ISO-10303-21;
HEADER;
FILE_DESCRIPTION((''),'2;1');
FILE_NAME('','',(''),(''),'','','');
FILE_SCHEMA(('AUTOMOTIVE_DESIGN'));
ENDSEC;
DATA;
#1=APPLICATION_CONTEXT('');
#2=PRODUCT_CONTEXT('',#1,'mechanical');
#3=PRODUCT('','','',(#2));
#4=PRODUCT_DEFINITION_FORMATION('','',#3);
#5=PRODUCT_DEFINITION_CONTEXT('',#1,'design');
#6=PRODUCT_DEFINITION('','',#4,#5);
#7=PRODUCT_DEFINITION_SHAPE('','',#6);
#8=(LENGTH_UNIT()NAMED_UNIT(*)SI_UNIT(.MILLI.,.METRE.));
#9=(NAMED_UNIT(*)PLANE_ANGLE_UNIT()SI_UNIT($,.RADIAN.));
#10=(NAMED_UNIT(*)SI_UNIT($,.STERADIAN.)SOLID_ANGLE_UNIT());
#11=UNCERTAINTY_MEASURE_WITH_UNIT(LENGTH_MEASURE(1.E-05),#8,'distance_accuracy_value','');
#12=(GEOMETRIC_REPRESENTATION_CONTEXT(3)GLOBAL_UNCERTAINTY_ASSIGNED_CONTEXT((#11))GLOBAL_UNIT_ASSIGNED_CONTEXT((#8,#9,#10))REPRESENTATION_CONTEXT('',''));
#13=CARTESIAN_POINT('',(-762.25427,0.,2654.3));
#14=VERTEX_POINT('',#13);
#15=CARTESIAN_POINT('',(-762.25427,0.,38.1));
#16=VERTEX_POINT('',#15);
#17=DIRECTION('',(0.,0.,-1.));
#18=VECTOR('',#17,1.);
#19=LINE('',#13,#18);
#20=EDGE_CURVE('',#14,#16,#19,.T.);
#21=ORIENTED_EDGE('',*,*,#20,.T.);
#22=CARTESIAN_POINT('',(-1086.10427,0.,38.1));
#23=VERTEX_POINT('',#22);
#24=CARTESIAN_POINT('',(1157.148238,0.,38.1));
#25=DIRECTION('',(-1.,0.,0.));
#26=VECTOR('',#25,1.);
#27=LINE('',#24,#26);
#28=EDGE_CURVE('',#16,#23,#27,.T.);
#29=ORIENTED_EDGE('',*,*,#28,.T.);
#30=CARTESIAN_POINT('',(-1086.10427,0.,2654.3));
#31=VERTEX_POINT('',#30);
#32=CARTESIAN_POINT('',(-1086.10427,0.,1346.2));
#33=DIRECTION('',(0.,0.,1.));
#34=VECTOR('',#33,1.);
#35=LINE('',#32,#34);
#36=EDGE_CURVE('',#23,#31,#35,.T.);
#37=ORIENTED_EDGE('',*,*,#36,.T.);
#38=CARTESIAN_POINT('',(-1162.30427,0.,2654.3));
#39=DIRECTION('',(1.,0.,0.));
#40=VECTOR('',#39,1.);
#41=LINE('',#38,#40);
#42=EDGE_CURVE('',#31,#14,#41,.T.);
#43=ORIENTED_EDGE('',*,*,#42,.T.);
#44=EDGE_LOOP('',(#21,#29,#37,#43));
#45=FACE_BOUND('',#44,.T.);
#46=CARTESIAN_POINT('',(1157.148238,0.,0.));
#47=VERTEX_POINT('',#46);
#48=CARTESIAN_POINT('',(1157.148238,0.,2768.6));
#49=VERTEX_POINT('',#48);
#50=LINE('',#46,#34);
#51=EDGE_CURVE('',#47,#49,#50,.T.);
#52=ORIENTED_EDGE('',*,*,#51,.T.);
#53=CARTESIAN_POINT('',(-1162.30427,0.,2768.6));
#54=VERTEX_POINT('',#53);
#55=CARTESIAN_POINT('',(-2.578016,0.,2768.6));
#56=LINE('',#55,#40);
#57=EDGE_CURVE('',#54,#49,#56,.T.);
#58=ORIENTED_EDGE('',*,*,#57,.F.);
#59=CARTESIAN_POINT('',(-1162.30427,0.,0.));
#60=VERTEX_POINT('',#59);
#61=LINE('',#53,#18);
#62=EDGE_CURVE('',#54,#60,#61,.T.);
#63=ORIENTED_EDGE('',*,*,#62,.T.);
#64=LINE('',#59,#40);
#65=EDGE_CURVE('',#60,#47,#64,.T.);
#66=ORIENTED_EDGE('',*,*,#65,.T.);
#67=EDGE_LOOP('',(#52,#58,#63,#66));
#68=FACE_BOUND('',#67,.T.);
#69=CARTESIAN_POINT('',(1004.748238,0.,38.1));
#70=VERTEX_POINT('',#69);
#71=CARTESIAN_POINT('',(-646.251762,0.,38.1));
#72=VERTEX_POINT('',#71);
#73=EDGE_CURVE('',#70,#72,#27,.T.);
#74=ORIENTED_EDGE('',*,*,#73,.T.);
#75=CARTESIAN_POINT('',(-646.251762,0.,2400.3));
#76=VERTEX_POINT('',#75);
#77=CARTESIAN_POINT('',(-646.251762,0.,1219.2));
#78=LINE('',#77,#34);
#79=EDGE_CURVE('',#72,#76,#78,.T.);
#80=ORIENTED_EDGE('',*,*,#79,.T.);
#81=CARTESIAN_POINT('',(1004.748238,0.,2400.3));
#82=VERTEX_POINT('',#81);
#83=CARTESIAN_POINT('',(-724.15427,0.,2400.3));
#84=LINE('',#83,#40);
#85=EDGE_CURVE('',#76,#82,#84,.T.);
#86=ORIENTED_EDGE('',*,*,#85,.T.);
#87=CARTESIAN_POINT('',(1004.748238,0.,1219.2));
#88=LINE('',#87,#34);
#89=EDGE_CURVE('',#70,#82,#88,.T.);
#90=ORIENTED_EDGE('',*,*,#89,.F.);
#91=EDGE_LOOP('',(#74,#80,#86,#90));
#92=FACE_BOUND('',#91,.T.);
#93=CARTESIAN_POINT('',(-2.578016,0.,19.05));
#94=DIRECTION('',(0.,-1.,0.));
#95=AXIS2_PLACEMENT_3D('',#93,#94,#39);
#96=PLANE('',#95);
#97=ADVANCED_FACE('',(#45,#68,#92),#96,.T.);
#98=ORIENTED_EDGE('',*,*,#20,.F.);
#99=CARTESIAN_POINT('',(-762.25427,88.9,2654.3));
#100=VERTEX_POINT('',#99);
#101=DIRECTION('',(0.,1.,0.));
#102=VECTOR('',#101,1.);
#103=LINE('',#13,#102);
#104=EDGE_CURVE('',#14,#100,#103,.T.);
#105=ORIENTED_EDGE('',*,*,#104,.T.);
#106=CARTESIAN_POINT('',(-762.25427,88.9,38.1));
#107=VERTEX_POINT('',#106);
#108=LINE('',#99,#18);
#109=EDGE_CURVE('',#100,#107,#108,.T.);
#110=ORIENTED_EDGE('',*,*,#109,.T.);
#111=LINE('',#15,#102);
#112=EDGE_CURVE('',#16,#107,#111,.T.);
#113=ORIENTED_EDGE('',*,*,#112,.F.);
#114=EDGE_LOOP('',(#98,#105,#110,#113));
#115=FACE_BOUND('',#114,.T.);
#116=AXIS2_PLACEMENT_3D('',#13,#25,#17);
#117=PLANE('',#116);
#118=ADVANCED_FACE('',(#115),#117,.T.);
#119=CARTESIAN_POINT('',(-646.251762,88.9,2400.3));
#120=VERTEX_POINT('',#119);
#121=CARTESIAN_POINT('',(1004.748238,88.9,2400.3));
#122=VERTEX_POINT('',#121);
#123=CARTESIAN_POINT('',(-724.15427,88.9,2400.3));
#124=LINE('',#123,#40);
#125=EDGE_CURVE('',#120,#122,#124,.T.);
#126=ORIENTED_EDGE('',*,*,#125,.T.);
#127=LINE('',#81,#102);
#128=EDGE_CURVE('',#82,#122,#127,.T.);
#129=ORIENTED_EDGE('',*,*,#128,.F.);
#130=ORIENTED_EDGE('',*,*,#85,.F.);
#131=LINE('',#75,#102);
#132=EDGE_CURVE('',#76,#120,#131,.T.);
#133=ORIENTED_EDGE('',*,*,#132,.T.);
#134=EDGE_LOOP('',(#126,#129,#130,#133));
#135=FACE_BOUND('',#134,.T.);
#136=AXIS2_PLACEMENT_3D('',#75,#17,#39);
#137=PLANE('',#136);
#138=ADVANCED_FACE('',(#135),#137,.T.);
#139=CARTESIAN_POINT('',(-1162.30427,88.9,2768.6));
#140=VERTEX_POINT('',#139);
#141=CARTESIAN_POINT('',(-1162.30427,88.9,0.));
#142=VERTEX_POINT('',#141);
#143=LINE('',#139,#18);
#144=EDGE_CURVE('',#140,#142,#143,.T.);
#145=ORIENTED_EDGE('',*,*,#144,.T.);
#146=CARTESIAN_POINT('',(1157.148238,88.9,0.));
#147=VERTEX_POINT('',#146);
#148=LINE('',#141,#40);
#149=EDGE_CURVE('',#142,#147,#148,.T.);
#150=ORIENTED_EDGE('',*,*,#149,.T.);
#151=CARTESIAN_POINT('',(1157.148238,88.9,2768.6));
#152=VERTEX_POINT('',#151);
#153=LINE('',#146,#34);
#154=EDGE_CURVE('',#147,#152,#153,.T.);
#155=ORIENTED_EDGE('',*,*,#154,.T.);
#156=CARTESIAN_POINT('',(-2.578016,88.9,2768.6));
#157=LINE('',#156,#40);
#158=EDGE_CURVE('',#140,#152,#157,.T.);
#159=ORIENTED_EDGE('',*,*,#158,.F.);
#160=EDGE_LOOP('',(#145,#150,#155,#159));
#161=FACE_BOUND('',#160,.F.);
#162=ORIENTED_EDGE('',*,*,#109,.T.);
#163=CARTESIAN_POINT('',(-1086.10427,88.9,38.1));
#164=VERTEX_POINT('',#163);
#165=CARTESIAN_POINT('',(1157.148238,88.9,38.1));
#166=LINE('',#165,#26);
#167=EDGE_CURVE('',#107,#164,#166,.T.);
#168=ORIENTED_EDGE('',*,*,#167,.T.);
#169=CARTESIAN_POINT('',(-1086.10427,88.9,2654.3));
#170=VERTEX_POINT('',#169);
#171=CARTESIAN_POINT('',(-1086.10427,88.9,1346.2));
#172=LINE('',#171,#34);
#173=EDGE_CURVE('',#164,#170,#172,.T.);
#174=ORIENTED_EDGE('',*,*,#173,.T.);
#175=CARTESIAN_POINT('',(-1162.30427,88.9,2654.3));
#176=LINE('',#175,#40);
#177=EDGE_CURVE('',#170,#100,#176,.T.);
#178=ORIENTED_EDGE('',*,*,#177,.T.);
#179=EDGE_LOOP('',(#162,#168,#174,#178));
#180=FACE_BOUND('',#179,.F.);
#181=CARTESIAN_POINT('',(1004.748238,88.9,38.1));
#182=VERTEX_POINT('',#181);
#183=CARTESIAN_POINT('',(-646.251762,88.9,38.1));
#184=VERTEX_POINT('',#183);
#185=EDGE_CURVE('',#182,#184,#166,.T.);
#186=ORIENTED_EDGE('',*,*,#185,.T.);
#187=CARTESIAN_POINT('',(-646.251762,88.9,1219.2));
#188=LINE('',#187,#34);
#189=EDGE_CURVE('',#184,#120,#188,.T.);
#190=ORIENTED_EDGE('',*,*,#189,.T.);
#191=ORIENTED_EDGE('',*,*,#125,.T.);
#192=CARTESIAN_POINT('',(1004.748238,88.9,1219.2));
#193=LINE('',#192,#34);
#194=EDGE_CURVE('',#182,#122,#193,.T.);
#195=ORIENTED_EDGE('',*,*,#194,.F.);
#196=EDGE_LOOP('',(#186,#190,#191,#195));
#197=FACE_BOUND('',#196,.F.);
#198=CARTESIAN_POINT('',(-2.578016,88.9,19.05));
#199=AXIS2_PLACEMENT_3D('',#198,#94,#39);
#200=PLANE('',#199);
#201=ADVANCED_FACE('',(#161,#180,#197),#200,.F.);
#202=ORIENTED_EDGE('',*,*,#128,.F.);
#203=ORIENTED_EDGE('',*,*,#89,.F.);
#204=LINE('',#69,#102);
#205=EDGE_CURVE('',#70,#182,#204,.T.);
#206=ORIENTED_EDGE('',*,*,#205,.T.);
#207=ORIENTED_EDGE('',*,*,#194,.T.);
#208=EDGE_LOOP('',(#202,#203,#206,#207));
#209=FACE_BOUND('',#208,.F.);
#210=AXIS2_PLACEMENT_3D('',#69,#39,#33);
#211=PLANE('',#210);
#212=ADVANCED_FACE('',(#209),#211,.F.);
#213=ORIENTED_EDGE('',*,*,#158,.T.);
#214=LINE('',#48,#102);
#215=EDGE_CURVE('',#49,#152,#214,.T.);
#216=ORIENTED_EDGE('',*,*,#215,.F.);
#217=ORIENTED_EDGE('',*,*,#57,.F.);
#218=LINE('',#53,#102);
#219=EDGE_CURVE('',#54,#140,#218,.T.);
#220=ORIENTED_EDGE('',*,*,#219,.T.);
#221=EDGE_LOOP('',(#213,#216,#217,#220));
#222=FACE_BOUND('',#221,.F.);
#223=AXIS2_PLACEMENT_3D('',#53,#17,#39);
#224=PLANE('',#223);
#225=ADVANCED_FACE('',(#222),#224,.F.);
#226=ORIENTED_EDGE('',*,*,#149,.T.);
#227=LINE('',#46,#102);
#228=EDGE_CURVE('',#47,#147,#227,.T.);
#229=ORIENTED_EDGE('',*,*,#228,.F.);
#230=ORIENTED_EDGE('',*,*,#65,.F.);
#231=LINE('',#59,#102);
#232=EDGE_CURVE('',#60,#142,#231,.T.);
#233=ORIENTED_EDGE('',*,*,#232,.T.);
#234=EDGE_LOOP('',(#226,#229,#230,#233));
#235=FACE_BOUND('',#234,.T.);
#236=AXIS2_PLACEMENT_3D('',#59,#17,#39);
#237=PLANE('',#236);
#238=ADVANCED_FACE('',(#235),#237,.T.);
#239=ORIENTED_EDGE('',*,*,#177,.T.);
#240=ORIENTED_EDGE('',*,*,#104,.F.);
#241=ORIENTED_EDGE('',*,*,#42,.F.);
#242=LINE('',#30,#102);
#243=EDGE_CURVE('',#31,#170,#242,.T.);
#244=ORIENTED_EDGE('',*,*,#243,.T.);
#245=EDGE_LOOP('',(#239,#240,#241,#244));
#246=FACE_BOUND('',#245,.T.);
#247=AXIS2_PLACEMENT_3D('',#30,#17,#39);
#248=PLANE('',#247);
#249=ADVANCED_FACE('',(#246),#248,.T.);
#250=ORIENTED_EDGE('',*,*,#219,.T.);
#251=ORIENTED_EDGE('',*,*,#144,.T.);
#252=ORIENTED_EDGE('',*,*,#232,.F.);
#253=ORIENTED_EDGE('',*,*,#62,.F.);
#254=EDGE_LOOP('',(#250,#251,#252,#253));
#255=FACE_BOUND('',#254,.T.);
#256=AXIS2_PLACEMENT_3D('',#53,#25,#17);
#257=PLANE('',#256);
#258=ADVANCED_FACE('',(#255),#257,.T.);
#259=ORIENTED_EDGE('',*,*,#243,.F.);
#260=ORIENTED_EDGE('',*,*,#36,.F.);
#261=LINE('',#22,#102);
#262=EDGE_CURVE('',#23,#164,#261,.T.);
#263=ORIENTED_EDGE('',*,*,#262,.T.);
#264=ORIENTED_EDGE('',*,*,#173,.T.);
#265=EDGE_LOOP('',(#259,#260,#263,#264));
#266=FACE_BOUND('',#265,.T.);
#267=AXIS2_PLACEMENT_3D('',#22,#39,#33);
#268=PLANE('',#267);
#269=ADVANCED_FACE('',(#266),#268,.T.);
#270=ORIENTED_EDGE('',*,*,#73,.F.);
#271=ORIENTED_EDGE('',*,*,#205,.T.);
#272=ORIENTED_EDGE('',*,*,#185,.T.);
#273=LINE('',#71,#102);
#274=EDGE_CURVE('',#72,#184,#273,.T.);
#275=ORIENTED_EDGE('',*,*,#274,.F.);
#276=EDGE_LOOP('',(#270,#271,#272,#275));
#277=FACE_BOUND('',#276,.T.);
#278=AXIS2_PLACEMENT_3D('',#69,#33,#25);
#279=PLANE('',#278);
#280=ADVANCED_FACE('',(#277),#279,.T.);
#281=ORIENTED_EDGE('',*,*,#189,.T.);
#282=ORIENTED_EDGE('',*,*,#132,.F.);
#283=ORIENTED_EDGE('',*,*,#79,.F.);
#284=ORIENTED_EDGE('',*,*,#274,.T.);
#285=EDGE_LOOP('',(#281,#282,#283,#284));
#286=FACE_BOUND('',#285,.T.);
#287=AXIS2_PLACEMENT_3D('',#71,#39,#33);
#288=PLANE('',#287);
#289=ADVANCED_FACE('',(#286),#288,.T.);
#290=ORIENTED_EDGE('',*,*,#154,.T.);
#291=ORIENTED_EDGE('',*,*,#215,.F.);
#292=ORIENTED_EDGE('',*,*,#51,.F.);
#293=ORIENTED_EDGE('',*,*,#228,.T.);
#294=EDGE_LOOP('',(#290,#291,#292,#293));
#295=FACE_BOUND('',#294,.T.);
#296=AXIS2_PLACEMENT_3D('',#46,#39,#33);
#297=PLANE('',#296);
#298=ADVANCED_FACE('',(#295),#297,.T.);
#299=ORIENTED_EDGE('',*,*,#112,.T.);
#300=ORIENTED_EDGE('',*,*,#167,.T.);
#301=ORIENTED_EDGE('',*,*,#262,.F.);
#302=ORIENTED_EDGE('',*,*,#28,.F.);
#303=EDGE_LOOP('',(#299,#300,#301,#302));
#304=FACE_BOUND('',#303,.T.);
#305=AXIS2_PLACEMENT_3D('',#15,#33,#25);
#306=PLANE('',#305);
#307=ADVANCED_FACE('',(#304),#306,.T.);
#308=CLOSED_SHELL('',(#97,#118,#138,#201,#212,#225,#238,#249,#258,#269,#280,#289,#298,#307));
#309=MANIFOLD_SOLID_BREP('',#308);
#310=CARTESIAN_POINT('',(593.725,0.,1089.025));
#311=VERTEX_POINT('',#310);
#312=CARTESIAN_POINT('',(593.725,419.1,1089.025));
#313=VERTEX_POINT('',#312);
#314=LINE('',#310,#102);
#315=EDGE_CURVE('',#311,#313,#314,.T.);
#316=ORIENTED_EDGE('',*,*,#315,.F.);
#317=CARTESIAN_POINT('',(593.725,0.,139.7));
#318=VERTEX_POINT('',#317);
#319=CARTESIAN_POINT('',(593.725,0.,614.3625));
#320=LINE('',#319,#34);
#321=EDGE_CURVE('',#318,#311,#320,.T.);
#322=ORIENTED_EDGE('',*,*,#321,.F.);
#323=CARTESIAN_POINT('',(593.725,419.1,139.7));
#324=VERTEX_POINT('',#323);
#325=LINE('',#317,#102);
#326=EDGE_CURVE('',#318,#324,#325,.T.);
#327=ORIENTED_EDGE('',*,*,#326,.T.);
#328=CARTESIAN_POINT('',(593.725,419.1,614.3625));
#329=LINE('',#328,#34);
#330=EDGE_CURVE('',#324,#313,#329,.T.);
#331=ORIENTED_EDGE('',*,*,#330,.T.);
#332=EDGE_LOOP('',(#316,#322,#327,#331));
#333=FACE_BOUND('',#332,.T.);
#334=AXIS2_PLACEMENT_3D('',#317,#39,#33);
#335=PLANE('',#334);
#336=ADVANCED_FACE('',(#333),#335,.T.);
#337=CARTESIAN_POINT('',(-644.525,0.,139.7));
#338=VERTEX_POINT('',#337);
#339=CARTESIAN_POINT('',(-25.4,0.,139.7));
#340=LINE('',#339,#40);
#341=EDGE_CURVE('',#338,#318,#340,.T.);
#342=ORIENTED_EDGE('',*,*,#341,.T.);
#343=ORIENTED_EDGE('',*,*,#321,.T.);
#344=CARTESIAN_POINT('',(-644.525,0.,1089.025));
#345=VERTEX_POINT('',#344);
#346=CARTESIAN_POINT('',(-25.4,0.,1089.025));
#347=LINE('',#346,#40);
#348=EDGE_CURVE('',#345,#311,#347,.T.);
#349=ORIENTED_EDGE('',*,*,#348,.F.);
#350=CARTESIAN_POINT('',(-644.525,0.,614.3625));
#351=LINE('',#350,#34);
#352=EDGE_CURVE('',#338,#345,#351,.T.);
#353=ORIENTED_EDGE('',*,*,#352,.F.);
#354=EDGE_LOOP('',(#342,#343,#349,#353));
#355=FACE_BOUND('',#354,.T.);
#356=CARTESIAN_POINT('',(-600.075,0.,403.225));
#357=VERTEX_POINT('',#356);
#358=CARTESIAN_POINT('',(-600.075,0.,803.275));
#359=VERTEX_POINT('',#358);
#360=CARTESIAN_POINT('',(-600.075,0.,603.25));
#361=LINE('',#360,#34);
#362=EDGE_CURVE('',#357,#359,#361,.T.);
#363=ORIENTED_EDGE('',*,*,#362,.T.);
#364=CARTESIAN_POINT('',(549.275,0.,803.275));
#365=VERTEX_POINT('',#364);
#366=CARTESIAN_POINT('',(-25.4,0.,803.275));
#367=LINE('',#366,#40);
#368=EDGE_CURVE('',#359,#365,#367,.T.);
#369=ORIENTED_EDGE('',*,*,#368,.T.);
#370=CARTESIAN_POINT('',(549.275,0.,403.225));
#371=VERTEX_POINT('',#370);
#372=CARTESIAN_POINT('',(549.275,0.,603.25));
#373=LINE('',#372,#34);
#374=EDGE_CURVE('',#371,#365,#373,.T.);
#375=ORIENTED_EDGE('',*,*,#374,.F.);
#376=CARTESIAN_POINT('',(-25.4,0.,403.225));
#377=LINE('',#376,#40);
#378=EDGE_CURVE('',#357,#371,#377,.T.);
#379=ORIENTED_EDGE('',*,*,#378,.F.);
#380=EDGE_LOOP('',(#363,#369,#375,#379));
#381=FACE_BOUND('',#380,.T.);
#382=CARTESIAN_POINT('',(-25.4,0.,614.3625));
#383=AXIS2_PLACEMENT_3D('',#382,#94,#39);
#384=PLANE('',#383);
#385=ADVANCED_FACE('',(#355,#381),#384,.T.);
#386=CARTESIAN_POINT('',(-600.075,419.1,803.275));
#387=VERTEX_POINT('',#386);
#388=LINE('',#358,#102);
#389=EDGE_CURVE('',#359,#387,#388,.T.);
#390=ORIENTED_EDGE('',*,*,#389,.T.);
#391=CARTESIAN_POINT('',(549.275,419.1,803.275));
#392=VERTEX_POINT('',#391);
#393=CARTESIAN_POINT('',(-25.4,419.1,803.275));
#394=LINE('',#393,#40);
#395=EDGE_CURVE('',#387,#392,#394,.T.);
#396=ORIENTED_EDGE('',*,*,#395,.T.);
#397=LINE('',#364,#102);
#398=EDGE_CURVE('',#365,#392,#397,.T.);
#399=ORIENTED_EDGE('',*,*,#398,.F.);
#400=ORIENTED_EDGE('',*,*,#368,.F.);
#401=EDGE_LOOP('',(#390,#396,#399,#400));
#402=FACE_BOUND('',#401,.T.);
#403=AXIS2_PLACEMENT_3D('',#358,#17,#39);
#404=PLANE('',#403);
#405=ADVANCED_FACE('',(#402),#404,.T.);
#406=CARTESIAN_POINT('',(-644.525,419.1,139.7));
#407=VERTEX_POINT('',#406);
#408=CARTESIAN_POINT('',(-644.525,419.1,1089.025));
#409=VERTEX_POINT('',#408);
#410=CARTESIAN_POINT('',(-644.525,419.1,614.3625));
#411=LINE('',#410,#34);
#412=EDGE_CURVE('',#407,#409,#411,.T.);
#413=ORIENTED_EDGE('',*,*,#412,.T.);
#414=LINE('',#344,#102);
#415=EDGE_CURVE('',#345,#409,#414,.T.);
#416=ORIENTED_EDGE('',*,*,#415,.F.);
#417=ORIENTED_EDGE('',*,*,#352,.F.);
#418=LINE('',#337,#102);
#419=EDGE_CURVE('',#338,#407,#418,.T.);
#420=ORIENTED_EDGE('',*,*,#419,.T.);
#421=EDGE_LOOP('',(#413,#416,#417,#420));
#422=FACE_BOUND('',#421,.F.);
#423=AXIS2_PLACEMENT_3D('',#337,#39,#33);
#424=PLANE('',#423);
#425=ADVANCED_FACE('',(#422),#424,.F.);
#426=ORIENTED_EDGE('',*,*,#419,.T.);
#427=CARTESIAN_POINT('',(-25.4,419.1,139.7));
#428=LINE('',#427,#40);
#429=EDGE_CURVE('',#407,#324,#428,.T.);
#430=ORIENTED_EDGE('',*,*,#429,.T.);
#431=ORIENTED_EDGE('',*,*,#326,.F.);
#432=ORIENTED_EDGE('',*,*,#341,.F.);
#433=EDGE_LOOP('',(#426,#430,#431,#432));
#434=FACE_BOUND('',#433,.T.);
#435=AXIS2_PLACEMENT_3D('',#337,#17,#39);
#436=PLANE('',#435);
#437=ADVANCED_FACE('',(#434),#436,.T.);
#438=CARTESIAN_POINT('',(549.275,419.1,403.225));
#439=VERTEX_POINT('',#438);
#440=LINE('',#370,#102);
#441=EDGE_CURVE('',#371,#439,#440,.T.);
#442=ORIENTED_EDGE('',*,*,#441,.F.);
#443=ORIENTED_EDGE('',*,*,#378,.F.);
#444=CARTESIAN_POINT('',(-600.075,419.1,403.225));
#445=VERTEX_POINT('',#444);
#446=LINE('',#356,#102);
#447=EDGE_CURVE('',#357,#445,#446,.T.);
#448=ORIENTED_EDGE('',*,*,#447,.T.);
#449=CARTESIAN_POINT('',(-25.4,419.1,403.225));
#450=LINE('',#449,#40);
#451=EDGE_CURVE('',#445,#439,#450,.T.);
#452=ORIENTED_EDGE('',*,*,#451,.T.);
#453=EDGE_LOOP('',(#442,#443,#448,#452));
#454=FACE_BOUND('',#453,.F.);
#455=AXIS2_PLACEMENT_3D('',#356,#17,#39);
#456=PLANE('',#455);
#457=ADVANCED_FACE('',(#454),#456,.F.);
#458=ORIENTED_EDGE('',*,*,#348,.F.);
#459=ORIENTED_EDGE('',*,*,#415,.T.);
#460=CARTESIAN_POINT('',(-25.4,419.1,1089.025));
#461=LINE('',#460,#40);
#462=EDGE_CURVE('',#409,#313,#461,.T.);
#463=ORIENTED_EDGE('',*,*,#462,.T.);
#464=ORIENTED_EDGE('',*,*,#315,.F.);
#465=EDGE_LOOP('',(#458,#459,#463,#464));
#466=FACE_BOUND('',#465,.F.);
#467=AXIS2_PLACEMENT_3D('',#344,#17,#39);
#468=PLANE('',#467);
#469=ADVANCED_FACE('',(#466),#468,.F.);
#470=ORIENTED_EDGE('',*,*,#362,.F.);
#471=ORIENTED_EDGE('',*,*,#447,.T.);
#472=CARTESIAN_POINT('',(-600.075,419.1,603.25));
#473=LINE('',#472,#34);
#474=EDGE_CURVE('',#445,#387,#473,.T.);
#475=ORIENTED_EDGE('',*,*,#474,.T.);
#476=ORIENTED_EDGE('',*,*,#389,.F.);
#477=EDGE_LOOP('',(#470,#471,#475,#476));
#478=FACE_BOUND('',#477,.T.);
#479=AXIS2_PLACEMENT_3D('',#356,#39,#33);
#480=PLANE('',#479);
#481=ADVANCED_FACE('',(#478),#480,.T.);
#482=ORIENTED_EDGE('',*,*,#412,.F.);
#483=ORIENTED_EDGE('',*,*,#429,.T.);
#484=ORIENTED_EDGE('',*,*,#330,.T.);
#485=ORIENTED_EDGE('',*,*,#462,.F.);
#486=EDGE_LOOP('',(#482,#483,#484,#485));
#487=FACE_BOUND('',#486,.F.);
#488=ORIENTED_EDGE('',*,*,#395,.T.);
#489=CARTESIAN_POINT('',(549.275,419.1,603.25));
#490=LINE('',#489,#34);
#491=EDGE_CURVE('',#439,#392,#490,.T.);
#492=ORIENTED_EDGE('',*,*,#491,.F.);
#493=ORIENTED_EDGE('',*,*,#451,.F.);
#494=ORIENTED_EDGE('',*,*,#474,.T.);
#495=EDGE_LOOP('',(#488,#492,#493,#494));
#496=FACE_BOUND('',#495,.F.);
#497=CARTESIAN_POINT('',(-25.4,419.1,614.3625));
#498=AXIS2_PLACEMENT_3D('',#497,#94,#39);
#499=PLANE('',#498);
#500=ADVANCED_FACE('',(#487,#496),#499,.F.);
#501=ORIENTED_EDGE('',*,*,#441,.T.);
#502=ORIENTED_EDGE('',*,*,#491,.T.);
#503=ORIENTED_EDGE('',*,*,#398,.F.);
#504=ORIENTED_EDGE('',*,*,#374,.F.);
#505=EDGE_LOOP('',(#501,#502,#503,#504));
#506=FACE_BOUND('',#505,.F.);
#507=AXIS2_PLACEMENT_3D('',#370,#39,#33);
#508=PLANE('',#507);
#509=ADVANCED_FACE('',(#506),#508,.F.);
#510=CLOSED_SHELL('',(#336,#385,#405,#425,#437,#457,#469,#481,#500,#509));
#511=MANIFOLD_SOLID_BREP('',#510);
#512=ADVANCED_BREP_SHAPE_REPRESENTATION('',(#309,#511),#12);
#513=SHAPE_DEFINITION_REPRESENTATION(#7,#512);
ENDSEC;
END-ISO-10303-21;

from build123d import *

# Parameters (mm, degrees)
F0_W     = 1238.25
F0_H     = 949.325
F0_W_2   = 1149.35
F0_H_2   = 400.05
F2_DEPTH = 419.1
F1_W     = 38.1
F1_H     = 2616.2
F1_H_2   = 2362.2
F1_W_2   = 2319.452508
F1_H_3   = 38.1
F1_W_3   = 39.802508
F3_DEPTH = 88.9


with BuildPart() as f2:
    # F0 (on Front) → F2 (new body)
    with BuildSketch(Plane.XZ):
        with Locations((0, 474.6625)):
            Rectangle(F0_W, F0_H)
        with Locations((0, 463.55)):
            Rectangle(F0_W_2, F0_H_2, mode=Mode.SUBTRACT)
    extrude(amount=-F2_DEPTH)


with BuildPart() as f3:
    # F1 (on Front) → F3 (new body)
    with BuildSketch(Plane.XZ):
        Polygon((1004.748238, 38.1), (-646.251762, 38.1), (-684.351762, 38.1), (-724.15427, 38.1), (-762.25427, 38.1), (-1086.10427, 38.1), (-1124.20427, 38.1), (-1162.30427, 38.1), (-1162.30427, 0), (1157.148238, 0), (1157.148238, 38.1), (1119.048238, 38.1), (1080.948238, 38.1), (1042.848238, 38.1), align=None)
        with Locations((1138.098238, 1346.2)):
            Rectangle(F1_W, F1_H)
        Polygon((1080.948238, 2400.3), (1080.948238, 38.1), (1119.048238, 38.1), (1119.048238, 2654.3), (1080.948238, 2654.3), align=None)
        with Locations((1061.898238, 1219.2)):
            Rectangle(F1_W, F1_H_2)
        with Locations((1023.798238, 1219.2)):
            Rectangle(F1_W, F1_H_2)
        with Locations((-2.578016, 2749.55)):
            Rectangle(F1_W_2, F1_H_3)
        with Locations((-2.578016, 2711.45)):
            Rectangle(F1_W_2, F1_H_3)
        Polygon((-762.25427, 2654.3), (-724.15427, 2654.3), (1080.948238, 2654.3), (1119.048238, 2654.3), (1157.148238, 2654.3), (1157.148238, 2692.4), (-1162.30427, 2692.4), (-1162.30427, 2654.3), (-1124.20427, 2654.3), (-1086.10427, 2654.3), align=None)
        Polygon((-684.351762, 2400.3), (-646.251762, 2400.3), (1004.748238, 2400.3), (1042.848238, 2400.3), (1080.948238, 2400.3), (1080.948238, 2654.3), (-724.15427, 2654.3), (-724.15427, 2400.3), align=None)
        with Locations((-665.301762, 1219.2)):
            Rectangle(F1_W, F1_H_2)
        with Locations((-704.253016, 1219.2)):
            Rectangle(F1_W_3, F1_H_2)
        Polygon((-762.25427, 38.1), (-724.15427, 38.1), (-724.15427, 2400.3), (-724.15427, 2654.3), (-762.25427, 2654.3), align=None)
        with Locations((-1105.15427, 1346.2)):
            Rectangle(F1_W, F1_H)
        with Locations((-1143.25427, 1346.2)):
            Rectangle(F1_W, F1_H)
    extrude(amount=-F3_DEPTH)


with BuildPart() as f2_1:
    # F4: moved
    add(f2.part.moved(Location((-25.4, 0, 139.7))))


solid = Compound([f3.part, f2_1.part])
